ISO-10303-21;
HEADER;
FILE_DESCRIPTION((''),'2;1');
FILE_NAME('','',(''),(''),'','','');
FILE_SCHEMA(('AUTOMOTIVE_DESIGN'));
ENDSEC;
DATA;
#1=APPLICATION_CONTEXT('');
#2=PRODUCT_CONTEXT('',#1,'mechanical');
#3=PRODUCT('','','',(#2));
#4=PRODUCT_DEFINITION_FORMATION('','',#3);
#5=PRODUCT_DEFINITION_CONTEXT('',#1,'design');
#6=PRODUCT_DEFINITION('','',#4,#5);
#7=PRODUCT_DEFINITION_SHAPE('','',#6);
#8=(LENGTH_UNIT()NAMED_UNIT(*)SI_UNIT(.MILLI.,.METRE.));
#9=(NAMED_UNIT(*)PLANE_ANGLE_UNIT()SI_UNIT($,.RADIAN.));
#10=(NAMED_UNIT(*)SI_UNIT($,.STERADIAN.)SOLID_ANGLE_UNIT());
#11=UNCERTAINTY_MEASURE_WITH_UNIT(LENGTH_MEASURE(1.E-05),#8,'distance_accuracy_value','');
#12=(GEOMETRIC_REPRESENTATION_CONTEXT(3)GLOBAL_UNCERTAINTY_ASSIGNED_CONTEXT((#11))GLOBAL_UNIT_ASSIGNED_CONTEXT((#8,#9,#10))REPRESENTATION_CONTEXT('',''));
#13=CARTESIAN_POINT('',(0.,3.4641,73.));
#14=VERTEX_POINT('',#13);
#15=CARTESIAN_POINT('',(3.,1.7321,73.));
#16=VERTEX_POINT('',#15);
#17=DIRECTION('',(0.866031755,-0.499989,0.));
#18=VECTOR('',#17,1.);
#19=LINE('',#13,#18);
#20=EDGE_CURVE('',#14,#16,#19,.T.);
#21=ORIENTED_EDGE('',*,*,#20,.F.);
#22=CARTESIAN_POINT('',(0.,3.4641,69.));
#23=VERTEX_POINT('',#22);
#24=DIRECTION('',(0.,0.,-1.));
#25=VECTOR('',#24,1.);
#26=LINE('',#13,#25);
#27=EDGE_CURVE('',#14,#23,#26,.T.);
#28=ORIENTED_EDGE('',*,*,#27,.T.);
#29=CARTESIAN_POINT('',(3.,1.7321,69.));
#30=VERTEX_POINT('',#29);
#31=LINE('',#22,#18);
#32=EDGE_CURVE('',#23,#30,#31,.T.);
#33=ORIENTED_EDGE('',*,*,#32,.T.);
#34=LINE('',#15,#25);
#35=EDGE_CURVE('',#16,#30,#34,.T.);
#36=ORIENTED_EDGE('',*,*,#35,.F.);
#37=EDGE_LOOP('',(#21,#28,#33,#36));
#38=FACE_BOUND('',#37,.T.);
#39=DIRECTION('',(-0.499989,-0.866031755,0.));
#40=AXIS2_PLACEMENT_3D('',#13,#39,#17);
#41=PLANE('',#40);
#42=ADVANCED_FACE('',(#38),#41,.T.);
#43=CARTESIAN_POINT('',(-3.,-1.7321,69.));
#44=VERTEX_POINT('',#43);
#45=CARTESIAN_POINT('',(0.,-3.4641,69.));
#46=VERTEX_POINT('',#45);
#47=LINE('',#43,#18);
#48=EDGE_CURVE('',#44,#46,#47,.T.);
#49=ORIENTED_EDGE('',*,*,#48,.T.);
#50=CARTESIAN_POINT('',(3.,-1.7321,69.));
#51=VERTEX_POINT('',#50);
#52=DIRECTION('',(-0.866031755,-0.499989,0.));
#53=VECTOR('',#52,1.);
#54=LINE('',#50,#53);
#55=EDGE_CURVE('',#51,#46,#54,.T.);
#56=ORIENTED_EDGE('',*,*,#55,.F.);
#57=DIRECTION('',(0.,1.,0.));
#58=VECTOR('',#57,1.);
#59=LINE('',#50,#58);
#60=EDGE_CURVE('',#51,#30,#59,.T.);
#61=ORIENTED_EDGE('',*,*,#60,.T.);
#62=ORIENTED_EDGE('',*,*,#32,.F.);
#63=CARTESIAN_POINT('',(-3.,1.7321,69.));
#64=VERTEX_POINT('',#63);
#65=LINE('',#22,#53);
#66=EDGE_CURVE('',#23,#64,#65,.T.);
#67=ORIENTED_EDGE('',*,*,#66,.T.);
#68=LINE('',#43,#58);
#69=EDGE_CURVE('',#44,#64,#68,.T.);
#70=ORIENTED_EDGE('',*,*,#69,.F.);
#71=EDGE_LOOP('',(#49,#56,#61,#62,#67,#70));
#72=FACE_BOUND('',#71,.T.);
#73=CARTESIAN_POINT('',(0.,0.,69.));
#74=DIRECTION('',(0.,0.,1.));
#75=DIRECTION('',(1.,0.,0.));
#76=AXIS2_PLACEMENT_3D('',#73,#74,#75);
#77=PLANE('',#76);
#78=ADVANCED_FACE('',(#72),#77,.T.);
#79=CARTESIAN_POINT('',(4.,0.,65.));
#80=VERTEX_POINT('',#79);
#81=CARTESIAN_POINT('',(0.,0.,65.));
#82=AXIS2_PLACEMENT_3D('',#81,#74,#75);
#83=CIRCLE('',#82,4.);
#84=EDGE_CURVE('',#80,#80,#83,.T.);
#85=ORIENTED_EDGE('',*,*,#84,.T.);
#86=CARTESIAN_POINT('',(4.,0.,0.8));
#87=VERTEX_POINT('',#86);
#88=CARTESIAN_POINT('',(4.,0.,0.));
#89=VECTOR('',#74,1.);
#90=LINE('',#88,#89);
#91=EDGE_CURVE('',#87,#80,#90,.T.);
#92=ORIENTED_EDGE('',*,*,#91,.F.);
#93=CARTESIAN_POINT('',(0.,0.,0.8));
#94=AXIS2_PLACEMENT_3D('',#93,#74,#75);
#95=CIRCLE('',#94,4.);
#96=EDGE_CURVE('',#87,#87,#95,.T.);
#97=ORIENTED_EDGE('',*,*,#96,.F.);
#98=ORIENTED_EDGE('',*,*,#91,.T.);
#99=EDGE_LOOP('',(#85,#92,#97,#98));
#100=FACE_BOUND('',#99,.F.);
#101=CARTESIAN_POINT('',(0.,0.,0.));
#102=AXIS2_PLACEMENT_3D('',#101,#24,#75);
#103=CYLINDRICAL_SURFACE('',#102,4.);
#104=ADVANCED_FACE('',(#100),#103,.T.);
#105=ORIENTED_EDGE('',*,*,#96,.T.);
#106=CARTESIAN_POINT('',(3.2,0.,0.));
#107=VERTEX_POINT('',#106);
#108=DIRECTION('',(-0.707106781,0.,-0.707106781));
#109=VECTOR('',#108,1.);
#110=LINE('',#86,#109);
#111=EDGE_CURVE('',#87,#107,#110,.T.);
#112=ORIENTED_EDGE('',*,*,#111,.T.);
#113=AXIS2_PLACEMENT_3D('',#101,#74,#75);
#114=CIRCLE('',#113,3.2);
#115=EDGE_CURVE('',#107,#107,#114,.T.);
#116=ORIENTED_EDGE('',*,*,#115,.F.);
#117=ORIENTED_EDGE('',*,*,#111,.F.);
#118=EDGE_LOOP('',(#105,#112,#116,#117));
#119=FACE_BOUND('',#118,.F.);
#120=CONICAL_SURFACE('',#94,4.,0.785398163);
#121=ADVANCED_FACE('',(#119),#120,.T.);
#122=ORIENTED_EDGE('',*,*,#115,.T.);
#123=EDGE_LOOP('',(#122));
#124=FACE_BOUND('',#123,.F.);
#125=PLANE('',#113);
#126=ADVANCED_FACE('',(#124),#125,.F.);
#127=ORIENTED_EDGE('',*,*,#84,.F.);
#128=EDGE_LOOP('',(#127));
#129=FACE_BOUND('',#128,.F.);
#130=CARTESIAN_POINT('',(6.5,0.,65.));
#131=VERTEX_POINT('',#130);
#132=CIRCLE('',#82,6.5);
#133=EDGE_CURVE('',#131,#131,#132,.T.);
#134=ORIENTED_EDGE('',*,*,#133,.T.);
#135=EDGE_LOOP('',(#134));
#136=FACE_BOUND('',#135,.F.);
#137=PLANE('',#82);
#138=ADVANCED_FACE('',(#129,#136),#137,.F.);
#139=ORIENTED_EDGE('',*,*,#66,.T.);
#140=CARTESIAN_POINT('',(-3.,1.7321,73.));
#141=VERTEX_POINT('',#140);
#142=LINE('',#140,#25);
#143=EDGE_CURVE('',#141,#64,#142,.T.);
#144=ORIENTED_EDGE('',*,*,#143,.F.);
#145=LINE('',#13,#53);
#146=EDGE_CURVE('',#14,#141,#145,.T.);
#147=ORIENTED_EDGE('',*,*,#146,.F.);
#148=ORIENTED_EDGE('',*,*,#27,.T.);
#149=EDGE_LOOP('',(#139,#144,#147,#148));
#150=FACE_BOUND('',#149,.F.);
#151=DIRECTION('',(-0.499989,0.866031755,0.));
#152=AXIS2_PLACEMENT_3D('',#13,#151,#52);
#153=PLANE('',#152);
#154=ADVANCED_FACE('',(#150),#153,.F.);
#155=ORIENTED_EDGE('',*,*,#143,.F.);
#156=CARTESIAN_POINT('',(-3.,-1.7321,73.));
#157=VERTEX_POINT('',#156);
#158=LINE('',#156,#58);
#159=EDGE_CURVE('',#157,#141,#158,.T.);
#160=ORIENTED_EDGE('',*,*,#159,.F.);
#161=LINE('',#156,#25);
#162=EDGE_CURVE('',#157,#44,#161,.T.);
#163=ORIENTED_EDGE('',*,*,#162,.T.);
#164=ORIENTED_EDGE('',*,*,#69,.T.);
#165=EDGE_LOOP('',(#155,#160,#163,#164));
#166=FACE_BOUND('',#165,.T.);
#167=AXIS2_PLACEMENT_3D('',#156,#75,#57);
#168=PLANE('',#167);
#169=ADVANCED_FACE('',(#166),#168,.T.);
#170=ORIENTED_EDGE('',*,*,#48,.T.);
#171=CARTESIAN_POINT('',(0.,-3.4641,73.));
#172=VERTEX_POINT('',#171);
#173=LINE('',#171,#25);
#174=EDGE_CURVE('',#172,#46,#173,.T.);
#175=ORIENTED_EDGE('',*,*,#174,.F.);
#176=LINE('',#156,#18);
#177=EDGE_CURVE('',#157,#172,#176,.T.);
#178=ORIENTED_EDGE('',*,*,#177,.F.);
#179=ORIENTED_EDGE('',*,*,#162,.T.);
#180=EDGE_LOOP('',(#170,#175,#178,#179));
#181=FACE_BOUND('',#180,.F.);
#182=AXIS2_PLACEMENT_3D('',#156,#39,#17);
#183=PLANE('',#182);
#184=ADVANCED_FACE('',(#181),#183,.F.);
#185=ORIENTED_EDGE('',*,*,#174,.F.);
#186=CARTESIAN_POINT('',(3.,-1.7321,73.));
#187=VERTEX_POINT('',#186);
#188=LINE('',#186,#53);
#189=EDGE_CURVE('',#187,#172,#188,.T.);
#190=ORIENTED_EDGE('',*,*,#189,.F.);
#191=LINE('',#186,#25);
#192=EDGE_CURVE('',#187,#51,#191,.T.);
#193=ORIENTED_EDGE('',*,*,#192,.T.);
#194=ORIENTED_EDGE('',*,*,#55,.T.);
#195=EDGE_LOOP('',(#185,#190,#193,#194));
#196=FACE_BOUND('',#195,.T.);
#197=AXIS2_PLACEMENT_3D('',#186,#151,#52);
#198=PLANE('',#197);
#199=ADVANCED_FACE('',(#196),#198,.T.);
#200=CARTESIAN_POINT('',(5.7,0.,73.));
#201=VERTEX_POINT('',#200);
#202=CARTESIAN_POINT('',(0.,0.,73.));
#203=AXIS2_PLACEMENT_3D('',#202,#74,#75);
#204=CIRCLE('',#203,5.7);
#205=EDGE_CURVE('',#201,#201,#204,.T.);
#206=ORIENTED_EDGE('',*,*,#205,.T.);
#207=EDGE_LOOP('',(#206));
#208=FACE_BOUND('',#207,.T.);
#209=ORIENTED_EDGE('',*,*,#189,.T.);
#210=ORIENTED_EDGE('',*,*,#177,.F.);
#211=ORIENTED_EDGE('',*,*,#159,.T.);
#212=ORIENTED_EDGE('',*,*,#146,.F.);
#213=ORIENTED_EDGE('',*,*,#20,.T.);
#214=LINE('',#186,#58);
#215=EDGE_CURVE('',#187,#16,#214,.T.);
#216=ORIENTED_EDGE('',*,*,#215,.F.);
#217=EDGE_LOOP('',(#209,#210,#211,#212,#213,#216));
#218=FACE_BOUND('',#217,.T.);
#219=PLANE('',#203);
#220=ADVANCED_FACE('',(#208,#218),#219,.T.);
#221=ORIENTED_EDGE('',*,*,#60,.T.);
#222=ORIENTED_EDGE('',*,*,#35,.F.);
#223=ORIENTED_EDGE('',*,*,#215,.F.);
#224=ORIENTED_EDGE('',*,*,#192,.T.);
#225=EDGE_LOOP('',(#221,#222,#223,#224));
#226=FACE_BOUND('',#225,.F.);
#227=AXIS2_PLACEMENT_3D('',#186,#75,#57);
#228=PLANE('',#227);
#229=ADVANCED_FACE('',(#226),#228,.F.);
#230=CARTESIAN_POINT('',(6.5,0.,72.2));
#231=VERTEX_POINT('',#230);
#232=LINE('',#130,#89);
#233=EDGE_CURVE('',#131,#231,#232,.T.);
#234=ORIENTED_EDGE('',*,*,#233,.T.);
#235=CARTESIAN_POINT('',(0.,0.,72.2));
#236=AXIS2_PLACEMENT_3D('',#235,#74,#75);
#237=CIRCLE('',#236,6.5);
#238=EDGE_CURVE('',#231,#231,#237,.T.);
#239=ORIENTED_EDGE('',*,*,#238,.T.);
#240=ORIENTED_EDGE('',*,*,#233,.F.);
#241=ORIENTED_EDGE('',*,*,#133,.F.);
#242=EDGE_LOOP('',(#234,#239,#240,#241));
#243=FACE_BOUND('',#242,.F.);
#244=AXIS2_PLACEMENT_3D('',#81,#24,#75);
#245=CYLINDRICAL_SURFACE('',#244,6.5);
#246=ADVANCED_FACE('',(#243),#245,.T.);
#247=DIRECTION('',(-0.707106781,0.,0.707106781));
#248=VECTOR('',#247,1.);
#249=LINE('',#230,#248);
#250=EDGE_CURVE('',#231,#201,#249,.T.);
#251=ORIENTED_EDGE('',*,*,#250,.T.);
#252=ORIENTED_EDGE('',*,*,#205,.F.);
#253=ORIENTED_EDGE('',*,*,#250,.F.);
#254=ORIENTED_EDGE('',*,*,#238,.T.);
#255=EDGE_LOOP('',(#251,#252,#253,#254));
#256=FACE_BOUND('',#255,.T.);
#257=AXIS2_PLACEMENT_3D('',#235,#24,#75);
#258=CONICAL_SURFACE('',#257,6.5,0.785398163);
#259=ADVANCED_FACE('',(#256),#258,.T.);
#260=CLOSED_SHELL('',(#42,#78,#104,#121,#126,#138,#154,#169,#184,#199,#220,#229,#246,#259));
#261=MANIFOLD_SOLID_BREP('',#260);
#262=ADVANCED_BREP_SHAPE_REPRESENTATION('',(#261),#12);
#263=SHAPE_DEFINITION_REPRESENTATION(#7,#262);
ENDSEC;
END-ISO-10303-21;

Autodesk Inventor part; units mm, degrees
ref_plane "YZ Plane" through (0, 0, 0) normal (1, 0, 0) x (0, 1, 0)
ref_plane "XZ Plane" through (0, 0, 0) normal (0, 1, 0) x (-1, 0, 0)
ref_plane "XY Plane" through (0, 0, 0) normal (0, 0, 1) x (1, 0, 0)
sketch "Sketch1" plane through (0, 0, 0) normal (0, 0, 1) x (1, 0, 0)
  circle A0 centre (0, 0) radius 4
  dimension "Diameter" = 8
extrude "Extrusion1" add sketch "Sketch1" along normal blind 65
sketch "Sketch2" plane through (0, 0, 65) normal (0, 0, 1) x (1, 0, 0)
  circle A0 centre (0, 0) radius 4 projected
  circle A1 centre (0, 0) radius 6.5
  dimension "Head_Diameter" = 13
extrude "Extrusion2" add sketch "Sketch2" along normal blind 8 contours A0 | A1
sketch "Sketch3" plane through (0, 0, 73) normal (0, 0, 1) x (1, 0, 0)
  circle A0 centre (0, 0) radius 6.5 projected
  circle A1 centre (0, 0) radius 3.4641 construction
  line L0 (0, 3.4641) -> (3, 1.7321)
  line L1 (3, -1.7321) -> (3, 1.7321)
  line L2 (0, 3.4641) -> (-3, 1.7321)
  line L3 (-3, -1.7321) -> (-3, 1.7321)
  line L4 (-3, -1.7321) -> (0, -3.4641)
  line L5 (3, -1.7321) -> (0, -3.4641)
  dimension "Hex_Width" = 6
extrude "Extrusion3" cut sketch "Sketch3" against normal blind 4 contours L0 L1 L5 L4 L3 L2
thread "Thread1" size "M8x1.25" class "4g6g" standard "ANSI Metric M Profile" length 28
chamfer "Chamfer1" distance 0.8 angle 45 2 edges at (-6.5, 0, 73) (-4, 0, 0)
equation "\"d9\" = ThreadLength"
equation "\"d12\" = Chamfer"
equation "\"ThreadLength\" = 28"
equation "\"Chamfer\" = 0.8"
properties part number "SCREW, SOCKET HD, P, 12.9, M8X1.25X65MM"
